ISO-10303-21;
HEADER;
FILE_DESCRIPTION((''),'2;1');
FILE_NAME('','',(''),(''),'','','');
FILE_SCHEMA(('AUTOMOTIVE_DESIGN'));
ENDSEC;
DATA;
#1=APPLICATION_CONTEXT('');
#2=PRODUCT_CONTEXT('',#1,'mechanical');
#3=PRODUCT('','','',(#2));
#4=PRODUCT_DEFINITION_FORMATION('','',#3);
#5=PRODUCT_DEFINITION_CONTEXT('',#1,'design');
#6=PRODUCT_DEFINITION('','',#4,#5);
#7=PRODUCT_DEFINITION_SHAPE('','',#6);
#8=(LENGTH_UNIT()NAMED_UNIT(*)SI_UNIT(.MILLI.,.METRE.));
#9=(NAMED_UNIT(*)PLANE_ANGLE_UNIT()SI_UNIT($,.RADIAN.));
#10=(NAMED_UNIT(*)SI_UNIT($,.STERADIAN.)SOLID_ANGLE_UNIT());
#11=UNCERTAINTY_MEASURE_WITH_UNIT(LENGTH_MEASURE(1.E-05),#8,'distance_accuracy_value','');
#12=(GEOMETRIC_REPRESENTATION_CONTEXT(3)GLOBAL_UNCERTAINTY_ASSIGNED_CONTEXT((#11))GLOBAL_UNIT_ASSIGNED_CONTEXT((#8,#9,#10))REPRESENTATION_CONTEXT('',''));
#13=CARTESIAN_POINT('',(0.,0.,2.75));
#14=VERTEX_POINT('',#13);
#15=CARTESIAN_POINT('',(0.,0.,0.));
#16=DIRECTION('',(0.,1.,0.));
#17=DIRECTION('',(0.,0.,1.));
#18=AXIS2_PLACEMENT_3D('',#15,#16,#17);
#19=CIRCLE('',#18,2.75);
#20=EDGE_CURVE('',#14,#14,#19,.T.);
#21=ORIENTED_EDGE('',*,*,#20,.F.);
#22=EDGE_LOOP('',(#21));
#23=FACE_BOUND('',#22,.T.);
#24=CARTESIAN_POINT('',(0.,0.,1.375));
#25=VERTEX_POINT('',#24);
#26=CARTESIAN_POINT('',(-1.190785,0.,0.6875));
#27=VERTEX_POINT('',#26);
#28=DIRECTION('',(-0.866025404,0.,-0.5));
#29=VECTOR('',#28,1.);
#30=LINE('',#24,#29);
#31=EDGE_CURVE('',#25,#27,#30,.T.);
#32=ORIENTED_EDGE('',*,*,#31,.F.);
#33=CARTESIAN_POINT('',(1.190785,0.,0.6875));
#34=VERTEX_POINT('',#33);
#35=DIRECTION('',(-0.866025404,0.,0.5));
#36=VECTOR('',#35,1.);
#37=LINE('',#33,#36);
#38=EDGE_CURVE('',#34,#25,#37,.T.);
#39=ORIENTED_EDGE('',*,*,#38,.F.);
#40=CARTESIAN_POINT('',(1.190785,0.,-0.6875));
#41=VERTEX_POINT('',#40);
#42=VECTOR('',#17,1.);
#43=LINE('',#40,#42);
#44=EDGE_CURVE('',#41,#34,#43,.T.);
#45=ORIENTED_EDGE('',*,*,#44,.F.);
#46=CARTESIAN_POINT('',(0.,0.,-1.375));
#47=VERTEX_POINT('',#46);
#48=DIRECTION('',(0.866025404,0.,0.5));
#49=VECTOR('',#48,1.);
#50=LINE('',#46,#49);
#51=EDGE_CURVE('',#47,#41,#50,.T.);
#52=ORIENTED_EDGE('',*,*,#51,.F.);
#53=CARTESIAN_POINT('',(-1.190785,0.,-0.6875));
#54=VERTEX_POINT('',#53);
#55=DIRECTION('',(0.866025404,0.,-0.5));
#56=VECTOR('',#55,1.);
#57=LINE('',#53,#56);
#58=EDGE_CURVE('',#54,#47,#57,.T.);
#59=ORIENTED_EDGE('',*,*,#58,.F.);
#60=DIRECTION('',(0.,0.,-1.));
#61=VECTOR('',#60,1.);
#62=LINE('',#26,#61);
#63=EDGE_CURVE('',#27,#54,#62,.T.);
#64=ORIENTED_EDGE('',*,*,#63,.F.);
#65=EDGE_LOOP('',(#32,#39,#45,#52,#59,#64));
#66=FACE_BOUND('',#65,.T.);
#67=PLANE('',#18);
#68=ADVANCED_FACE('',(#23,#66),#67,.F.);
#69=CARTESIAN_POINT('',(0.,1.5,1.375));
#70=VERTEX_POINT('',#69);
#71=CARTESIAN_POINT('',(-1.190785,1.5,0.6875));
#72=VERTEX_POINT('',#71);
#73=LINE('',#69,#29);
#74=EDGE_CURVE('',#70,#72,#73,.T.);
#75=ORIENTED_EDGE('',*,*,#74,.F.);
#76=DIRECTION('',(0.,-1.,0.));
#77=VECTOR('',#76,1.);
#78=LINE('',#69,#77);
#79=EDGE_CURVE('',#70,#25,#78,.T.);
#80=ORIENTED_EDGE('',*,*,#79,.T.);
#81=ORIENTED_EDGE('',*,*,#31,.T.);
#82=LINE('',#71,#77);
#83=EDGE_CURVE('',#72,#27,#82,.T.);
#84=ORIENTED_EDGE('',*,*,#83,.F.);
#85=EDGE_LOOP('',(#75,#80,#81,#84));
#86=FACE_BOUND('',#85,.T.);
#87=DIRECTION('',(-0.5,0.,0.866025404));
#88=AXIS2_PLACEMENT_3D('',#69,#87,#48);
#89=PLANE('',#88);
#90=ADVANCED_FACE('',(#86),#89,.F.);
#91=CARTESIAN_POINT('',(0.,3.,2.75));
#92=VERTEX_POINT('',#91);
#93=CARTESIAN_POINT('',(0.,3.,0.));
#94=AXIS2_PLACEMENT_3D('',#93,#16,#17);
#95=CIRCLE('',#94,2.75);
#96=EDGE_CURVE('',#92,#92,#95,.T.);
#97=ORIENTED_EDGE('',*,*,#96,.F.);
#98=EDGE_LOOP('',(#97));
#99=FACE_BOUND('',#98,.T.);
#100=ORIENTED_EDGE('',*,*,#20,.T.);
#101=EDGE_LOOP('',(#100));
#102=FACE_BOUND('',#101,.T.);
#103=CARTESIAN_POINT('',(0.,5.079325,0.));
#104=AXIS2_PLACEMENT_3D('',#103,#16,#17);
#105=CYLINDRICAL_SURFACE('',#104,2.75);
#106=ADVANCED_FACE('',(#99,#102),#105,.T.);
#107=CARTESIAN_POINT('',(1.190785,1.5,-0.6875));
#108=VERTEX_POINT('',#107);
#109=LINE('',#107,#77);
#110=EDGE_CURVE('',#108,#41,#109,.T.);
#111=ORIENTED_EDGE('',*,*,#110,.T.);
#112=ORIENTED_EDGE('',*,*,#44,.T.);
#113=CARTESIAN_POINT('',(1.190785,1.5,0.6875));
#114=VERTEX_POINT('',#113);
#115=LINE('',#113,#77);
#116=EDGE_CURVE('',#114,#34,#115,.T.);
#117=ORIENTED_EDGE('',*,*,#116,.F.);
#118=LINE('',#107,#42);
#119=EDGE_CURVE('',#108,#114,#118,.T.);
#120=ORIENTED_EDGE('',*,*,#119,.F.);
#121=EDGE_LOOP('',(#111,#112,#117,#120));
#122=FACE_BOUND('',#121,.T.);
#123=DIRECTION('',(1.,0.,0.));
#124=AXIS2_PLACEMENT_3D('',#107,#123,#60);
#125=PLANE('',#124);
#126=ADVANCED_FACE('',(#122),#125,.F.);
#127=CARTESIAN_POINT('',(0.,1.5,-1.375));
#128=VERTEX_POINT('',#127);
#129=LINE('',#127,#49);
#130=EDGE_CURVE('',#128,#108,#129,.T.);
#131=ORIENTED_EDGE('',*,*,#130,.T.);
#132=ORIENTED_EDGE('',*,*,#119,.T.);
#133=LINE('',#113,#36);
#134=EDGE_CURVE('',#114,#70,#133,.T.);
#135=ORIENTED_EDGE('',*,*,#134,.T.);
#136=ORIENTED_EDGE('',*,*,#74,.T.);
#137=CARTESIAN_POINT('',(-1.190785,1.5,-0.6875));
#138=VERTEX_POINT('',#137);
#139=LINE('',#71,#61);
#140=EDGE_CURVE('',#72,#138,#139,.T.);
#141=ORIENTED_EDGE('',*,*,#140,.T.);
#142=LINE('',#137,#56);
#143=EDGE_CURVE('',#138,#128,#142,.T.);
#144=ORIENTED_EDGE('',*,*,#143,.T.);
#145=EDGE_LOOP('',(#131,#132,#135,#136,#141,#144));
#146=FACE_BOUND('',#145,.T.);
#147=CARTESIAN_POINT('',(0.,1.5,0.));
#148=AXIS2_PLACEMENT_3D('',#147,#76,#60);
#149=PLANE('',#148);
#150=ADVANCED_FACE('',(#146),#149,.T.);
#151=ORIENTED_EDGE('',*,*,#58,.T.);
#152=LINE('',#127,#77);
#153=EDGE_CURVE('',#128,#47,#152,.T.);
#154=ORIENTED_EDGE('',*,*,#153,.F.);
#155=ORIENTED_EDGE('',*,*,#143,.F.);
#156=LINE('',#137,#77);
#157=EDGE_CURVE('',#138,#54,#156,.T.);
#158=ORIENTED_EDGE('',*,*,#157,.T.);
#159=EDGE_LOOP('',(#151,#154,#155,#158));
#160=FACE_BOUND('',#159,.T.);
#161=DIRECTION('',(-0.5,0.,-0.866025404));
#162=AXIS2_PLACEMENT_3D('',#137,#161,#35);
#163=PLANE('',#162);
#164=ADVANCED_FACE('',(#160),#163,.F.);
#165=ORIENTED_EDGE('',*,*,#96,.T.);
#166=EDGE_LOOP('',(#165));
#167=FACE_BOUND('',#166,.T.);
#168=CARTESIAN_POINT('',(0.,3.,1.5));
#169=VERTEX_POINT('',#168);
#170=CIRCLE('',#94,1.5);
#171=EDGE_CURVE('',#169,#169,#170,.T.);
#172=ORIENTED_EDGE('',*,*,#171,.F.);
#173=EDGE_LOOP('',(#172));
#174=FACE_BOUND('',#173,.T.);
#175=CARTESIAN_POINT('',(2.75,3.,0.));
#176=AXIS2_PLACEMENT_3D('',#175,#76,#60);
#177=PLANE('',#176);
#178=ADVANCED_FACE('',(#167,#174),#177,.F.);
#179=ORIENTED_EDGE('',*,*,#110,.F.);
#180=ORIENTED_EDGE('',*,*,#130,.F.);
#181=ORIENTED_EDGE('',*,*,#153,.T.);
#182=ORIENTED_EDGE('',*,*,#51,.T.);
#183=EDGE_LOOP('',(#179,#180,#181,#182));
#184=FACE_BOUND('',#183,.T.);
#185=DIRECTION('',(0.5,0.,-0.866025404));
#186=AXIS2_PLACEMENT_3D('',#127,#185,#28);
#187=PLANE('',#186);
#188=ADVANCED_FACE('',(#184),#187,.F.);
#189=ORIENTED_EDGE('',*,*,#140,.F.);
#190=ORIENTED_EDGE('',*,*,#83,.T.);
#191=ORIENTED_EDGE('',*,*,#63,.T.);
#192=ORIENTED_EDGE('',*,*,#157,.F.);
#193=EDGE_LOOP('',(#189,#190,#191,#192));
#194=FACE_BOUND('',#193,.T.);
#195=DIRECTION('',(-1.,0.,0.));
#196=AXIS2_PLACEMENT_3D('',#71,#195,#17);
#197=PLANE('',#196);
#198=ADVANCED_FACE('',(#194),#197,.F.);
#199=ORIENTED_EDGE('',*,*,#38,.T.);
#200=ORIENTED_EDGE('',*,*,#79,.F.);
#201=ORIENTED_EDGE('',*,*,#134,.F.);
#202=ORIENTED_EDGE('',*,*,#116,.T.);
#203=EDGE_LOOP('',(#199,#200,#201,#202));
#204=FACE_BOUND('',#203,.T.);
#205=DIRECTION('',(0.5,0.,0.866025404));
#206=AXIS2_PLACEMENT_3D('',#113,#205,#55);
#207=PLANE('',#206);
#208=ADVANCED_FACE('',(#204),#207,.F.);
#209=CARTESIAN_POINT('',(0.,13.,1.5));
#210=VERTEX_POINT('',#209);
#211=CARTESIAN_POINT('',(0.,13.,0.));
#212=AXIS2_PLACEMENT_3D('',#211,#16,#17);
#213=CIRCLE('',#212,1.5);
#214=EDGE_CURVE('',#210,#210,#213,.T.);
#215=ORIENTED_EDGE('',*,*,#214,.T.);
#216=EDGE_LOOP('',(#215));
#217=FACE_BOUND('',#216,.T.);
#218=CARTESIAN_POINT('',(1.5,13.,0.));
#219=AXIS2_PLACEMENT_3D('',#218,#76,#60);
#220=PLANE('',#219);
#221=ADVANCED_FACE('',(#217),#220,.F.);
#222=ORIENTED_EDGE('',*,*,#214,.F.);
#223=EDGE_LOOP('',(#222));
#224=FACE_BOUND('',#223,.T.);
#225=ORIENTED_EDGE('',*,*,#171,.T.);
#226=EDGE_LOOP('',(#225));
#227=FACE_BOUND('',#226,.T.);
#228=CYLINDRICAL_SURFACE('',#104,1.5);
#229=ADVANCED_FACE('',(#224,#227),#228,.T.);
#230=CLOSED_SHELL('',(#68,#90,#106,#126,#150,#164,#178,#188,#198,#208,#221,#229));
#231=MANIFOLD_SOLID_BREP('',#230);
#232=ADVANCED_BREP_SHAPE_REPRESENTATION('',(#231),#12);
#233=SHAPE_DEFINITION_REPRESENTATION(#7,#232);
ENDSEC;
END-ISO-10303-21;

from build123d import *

# Parameters (mm, degrees)
CUT_EXTRUDE_1_DEPTH = 1.5


with BuildPart() as part:
    # 草图1 → 旋转1 (revolve)
    with BuildSketch(Plane.XY, mode=Mode.PRIVATE) as revolve_1_sk:
        Polygon((0, 0), (2.75, 0), (2.75, 3), (1.5, 3), (1.5, 13), (0, 13), align=None)
    revolve(revolve_1_sk.sketch.rotate(Axis((0, 5.079324982, 0), (0, -1, 0)), 90), axis=Axis((0, 5.079324982, 0), (0, -1, 0)))

    # 草图2 → 切除-拉伸1 (cut)
    with BuildSketch(Plane.XZ):
        Polygon((0, -1.375), (1.19078493, -0.6875), (1.19078493, 0.6875), (0, 1.375), (-1.19078493, 0.6875), (-1.19078493, -0.6875), align=None)
    extrude(amount=-CUT_EXTRUDE_1_DEPTH, mode=Mode.SUBTRACT)


solid = part.part
